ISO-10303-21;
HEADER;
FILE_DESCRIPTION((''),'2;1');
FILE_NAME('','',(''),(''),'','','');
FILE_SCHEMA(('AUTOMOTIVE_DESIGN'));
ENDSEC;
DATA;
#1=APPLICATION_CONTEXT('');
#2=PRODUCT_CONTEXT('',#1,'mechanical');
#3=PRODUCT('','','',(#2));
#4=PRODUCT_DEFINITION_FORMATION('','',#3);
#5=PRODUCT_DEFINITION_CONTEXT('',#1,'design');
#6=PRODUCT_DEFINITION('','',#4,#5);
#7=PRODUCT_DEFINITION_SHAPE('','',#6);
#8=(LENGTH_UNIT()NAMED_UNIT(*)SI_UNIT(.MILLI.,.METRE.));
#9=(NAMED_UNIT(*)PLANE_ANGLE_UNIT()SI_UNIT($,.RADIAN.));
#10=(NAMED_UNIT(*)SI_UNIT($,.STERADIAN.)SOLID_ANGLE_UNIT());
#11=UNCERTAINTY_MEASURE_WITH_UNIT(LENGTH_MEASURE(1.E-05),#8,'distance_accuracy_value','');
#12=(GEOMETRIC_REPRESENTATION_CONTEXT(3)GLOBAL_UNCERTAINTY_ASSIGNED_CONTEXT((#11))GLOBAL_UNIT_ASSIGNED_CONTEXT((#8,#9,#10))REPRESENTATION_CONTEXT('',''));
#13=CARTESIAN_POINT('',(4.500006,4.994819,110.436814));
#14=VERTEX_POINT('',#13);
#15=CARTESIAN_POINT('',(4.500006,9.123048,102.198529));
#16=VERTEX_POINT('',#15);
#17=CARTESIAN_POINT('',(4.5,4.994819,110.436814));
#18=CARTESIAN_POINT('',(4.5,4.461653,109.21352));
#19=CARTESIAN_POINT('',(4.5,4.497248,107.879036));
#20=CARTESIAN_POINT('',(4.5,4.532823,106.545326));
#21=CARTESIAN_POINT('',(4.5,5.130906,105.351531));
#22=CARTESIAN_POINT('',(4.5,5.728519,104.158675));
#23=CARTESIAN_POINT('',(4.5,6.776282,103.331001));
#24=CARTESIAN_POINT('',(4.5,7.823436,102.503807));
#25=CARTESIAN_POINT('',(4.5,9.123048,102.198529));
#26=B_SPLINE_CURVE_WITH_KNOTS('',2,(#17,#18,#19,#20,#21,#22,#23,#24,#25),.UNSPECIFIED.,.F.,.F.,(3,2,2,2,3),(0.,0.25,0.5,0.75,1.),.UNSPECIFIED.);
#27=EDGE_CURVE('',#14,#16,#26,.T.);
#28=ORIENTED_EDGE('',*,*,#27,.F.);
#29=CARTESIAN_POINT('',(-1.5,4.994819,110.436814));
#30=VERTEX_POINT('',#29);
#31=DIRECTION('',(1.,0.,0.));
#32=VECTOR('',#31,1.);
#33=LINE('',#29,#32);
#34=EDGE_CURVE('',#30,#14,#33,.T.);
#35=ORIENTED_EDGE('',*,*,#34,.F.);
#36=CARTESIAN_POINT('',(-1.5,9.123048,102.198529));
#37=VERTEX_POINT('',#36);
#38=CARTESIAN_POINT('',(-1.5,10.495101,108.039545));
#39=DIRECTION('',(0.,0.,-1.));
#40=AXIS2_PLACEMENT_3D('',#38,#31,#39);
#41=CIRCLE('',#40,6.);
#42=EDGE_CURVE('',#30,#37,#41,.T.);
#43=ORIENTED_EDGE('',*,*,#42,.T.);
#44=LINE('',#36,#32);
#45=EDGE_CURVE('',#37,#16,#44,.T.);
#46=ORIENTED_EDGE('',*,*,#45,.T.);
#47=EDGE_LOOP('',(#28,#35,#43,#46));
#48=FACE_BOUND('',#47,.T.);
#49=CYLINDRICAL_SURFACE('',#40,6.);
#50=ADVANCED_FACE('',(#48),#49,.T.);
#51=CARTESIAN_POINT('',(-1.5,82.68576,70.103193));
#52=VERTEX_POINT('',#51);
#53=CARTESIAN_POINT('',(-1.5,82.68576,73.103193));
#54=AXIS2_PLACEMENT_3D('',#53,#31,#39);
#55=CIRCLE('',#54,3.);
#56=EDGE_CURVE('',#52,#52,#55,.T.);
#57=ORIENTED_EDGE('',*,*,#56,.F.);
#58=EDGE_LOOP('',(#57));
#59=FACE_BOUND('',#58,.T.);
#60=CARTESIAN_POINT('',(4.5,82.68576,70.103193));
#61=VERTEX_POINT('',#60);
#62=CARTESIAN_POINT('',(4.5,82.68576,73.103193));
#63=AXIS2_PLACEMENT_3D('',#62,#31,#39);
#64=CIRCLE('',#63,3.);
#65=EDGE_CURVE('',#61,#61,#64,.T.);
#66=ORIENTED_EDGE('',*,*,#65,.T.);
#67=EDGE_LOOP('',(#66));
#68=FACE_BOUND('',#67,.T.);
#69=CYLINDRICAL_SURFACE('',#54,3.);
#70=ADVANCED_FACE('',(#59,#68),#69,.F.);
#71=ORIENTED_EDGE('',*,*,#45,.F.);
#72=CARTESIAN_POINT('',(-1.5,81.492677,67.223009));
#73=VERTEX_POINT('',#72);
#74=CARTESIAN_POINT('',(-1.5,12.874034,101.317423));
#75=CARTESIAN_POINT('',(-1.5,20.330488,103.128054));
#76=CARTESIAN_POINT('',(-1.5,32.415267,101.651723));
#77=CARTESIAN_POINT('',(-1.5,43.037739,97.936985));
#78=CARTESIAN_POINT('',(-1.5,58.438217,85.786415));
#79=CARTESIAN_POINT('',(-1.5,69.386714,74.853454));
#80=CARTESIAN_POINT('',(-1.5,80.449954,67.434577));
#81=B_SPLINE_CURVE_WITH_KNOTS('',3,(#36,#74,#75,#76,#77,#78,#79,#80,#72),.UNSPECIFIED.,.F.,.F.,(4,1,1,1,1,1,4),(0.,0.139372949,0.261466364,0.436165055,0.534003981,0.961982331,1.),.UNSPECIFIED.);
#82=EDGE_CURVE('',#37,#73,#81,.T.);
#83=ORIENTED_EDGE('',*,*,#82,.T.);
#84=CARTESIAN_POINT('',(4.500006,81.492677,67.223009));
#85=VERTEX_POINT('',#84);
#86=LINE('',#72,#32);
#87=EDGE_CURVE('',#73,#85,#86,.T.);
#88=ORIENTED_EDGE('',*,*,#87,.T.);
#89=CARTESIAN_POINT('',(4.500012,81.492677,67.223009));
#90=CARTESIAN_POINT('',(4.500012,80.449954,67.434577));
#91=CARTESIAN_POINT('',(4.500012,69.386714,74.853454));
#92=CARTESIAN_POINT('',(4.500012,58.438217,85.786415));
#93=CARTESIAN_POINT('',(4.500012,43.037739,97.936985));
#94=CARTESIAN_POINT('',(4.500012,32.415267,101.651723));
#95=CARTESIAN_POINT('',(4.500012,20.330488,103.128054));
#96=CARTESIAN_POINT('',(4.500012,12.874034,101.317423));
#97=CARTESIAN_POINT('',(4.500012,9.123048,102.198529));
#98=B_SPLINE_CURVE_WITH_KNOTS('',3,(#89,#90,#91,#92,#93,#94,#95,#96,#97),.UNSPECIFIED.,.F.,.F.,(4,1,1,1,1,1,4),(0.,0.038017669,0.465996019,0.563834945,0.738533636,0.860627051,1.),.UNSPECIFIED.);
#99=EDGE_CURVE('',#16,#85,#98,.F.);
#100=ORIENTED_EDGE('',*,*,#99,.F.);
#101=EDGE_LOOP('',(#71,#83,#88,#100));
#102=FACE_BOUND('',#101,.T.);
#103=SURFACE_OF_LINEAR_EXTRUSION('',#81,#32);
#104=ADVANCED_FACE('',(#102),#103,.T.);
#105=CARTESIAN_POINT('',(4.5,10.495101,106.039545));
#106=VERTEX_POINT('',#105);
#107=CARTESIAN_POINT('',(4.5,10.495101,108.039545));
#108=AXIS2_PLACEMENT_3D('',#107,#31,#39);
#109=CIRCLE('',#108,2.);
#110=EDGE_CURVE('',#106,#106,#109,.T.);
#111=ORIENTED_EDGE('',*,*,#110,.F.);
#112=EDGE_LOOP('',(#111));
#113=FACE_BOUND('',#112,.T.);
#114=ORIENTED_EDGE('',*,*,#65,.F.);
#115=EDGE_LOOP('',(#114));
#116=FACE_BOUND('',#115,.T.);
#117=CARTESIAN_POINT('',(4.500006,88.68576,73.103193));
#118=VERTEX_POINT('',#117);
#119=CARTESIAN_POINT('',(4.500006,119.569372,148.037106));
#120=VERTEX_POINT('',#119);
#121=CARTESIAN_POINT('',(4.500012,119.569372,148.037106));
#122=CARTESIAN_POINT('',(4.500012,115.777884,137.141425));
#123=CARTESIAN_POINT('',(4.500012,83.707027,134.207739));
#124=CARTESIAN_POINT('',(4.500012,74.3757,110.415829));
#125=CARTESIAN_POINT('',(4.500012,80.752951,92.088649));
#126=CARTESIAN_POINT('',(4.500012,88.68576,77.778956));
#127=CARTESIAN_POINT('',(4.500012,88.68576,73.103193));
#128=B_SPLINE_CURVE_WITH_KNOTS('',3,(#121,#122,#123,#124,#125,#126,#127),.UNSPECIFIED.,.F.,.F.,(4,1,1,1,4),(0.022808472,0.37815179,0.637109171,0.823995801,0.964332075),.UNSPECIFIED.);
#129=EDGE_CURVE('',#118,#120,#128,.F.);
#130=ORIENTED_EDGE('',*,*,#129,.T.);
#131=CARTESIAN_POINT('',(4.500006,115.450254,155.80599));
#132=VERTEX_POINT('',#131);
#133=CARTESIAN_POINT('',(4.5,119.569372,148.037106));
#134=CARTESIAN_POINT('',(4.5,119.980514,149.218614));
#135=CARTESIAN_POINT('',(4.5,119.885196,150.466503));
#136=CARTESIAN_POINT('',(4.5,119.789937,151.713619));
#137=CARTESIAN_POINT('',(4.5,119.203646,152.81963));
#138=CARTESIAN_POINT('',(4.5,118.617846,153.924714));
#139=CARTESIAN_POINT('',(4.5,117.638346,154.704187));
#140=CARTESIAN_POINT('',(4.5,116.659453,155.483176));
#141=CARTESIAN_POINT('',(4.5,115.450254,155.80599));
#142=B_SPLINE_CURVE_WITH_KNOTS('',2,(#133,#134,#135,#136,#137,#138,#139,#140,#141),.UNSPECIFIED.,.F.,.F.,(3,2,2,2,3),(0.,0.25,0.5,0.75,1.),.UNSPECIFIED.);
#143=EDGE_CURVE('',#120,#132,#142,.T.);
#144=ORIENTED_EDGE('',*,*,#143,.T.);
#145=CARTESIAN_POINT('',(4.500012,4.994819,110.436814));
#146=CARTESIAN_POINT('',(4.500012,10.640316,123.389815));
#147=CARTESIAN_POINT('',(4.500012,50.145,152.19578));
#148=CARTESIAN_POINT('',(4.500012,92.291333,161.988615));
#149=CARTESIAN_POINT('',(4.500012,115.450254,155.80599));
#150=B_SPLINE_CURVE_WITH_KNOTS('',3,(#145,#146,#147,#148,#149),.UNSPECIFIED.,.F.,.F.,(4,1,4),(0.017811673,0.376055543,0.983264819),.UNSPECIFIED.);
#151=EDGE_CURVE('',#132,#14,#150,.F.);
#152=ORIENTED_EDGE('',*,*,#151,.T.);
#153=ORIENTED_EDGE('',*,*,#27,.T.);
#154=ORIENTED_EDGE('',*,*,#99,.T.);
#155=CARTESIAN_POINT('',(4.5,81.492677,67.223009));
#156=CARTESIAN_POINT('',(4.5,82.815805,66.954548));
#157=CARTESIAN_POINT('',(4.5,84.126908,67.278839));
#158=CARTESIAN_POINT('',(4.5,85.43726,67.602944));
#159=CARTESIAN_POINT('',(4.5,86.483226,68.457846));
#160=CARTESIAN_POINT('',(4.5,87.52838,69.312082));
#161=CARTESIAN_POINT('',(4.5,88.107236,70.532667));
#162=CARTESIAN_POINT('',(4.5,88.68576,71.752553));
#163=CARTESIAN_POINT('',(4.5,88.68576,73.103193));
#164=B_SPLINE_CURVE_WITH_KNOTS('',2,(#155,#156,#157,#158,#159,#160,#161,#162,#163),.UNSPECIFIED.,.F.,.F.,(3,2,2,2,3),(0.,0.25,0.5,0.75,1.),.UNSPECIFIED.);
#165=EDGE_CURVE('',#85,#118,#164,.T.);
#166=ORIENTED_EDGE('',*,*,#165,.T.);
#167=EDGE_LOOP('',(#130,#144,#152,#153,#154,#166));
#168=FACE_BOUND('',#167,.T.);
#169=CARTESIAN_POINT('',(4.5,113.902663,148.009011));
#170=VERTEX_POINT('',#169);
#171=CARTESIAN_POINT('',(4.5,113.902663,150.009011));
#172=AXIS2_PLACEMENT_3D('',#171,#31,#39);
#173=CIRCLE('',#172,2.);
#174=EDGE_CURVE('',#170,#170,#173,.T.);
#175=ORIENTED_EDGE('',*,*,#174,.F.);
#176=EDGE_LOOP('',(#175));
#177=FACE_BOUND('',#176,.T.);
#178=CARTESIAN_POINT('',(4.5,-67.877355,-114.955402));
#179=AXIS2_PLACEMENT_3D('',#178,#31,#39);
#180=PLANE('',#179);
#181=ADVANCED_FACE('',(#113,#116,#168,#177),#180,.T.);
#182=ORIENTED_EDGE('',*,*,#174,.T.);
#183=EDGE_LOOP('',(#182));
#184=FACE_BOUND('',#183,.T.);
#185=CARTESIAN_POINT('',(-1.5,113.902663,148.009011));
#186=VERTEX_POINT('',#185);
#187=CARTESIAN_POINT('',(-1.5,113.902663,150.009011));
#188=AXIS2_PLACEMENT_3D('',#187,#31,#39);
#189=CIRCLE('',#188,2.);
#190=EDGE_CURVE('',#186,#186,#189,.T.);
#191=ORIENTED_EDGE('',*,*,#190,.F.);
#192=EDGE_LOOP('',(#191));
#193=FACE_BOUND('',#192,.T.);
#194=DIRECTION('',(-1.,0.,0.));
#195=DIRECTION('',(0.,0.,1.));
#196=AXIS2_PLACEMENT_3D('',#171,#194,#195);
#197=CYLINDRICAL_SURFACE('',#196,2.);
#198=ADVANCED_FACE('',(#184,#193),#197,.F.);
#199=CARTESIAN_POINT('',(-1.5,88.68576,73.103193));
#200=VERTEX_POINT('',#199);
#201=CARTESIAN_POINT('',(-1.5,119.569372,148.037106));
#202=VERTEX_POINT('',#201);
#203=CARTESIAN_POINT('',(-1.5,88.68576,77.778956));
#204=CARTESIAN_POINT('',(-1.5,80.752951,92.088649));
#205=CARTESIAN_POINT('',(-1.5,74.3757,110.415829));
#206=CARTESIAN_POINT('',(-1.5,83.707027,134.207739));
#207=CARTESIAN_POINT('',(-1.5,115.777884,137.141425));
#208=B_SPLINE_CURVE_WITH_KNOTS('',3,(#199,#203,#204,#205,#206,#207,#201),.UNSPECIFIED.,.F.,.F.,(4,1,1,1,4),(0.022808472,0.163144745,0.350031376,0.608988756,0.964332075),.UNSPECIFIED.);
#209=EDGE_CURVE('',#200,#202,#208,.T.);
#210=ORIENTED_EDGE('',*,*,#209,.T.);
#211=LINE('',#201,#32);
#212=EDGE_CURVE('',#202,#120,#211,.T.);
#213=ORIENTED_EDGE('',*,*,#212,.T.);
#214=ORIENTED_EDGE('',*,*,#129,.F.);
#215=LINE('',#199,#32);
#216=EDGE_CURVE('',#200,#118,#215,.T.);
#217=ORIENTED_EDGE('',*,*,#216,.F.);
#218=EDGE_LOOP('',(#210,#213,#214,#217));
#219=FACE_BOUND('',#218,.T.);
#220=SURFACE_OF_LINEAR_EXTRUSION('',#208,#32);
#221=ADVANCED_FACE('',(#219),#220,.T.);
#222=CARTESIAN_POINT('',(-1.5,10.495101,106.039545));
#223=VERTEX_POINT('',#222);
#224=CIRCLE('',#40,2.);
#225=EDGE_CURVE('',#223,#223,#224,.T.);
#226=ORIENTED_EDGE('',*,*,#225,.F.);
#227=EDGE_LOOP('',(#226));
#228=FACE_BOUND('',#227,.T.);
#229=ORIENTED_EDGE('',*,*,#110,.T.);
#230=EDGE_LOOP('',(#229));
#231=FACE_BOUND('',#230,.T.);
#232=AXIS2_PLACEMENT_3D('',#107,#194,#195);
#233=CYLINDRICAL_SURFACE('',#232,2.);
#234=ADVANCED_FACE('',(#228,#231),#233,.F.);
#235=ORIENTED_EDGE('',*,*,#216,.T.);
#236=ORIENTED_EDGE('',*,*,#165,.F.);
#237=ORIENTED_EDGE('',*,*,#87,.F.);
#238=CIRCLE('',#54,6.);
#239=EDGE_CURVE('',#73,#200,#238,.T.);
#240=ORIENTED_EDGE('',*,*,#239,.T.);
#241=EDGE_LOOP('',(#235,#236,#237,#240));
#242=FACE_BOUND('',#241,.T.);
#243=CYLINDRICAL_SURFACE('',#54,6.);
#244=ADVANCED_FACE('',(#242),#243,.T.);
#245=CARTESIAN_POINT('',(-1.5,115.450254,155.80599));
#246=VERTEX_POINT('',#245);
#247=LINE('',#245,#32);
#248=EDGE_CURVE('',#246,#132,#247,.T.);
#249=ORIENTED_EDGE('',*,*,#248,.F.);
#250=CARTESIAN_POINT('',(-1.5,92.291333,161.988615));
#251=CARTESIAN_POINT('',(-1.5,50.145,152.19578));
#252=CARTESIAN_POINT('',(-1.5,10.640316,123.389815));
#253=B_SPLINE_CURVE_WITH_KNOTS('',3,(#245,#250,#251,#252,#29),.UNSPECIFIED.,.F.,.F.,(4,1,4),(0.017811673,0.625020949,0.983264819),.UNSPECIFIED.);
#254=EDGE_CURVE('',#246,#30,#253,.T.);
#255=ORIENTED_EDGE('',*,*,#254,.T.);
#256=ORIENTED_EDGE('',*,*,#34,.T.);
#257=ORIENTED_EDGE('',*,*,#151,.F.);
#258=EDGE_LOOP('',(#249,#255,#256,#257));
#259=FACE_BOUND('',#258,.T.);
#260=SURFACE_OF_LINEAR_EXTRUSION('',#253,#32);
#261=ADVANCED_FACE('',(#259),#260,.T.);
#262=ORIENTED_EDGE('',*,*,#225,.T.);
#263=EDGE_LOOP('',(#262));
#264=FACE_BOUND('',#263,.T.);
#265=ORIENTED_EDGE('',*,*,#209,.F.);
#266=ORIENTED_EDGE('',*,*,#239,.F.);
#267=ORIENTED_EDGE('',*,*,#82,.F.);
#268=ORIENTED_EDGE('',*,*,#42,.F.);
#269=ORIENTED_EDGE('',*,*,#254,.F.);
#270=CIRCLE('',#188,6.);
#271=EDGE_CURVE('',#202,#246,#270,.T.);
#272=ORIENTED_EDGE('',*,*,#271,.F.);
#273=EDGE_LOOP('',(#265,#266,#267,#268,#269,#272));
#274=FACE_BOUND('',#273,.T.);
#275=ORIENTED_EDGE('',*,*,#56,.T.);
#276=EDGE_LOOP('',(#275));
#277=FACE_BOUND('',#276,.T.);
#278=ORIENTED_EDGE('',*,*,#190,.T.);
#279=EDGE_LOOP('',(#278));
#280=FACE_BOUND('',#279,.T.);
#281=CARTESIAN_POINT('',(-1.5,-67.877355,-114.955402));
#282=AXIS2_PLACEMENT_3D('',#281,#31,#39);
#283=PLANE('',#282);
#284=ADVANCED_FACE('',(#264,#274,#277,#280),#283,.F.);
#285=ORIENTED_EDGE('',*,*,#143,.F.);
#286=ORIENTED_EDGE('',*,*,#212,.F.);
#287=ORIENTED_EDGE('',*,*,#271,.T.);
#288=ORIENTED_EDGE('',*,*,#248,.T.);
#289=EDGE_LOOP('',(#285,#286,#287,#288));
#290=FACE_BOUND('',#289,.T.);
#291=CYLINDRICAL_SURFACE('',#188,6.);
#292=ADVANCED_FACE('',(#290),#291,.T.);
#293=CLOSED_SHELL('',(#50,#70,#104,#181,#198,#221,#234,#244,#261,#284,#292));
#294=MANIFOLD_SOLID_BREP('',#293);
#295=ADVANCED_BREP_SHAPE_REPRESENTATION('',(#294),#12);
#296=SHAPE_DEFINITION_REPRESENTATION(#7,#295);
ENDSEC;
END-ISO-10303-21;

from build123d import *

# Parameters (mm, degrees)
SKETCH3_R               = 1
SKETCH3_R_2             = 1.375
BOSS_EXTRUDE4_DEPTH     = 3
SCALE1_SCALE            = 2
SKETCH4_R               = 3
CUT_EXTRUDE1_DEPTH      = 217.492464221
CUT_EXTRUDE2_DEPTH      = 217.492464221
CUT_EXTRUDE2_DEPTH_BACK = 217.492464221
SKETCH5_OUTSIDE_W       = 182.432
SKETCH5_OUTSIDE_H       = 155.93


with BuildPart() as part:
    # Sketch3 → Boss-Extrude4 (new body)
    with BuildSketch(Plane.YZ):
        with BuildLine():
            ThreePointArc((68.741192765, 86.464667173), (54.029322851, 96.141629316), (37.312023136, 101.674675757))
            ThreePointArc((37.312023136, 101.674675757), (29.391760942, 109.480441545), (33.583388697, 119.780479872))
            ThreePointArc((33.583388697, 119.780479872), (60.17601512, 133.969459732), (89.135388402, 142.32706876))
            ThreePointArc((89.135388402, 142.32706876), (99.144821049, 138.126502646), (99.427319768, 127.275065319))
            ThreePointArc((99.427319768, 127.275065319), (90.789860229, 110.128583952), (85.032843595, 91.812899689))
            ThreePointArc((85.032843595, 91.812899689), (78.400596073, 84.528160677), (68.741192765, 86.464667173))
        make_face()
        with Locations(Location((39.186227842, 111.497473562, 0), (0, 0, 270))):
            Circle(SKETCH3_R, mode=Mode.SUBTRACT)
        with Locations(Location((90.890008855, 132.482206797, 0), (0, 0, 270))):
            Circle(SKETCH3_R, mode=Mode.SUBTRACT)
        with Locations(Location((75.281557454, 94.029297351, 0), (0, 0, 270))):
            Circle(SKETCH3_R_2, mode=Mode.SUBTRACT)
    extrude(amount=BOSS_EXTRUDE4_DEPTH)


with BuildPart() as part_1:
    # Scale1: scaled about (1.5, 67.877354977, 114.955402134)
    add(part.part.scale(SCALE1_SCALE).moved(Location((-1.5, -67.877354977, -114.955402134))))

    # Sketch4 → Cut-Extrude1 (cut, through all)
    with BuildSketch(Plane.YZ.offset(4.5)):
        with Locations(Location((82.685759932, 73.103192567, 0), (0, 0, 270))):
            Circle(SKETCH4_R)
    extrude(amount=-CUT_EXTRUDE1_DEPTH, mode=Mode.SUBTRACT)

    # Sketch5 outside → Cut-Extrude2 (cut, two sides: drawn at the far end of the back side and taken through both)
    with BuildSketch(Plane.YZ.offset(4.5).offset(-CUT_EXTRUDE2_DEPTH_BACK)):
        with Locations((62.199, 111.556)):
            Rectangle(SKETCH5_OUTSIDE_W, SKETCH5_OUTSIDE_H)
        with BuildLine():
            ThreePointArc((119.569371521, 148.037105906), (119.203645824, 152.8196303), (115.450254013, 155.805990089))
            add(Edge.make_bspline(
                [(115.450254013, 155.805990089), (92.291332554, 161.988615073), (50.144999616, 152.195780174), (10.640315527, 123.38981482), (4.994818673, 110.43681376)],
                knots=[0.017811673, 0.017811673, 0.017811673, 0.017811673, 0.625020949, 0.983264819, 0.983264819, 0.983264819, 0.983264819], degree=3))
            ThreePointArc((4.994818673, 110.43681376), (5.130906228, 105.351531301), (9.123047592, 102.19852879))
            add(Edge.make_bspline(
                [(9.123047592, 102.19852879), (12.874033904, 101.317423127), (20.330488059, 103.128054064), (32.415267004, 101.651722539), (43.037738842, 97.936984862), (58.438217116, 85.786415304), (69.386713525, 74.853454362), (80.449954201, 67.434576825), (81.492677056, 67.22300947)],
                knots=[0, 0, 0, 0, 0.139372949, 0.261466364, 0.436165055, 0.534003981, 0.961982331, 1, 1, 1, 1], degree=3))
            ThreePointArc((81.492677056, 67.22300947), (86.483226373, 68.457845581), (88.685759932, 73.103192567))
            add(Edge.make_bspline(
                [(119.569371521, 148.037105906), (115.777884331, 137.141424956), (83.707026682, 134.20773874), (74.375699666, 110.415829432), (80.752950982, 92.088648695), (88.685759932, 77.778956378), (88.685759932, 73.103192567)],
                knots=[0.022808472, 0.022808472, 0.022808472, 0.022808472, 0.37815179, 0.637109171, 0.823995801, 0.964332075, 0.964332075, 0.964332075, 0.964332075], degree=3))
        make_face(mode=Mode.SUBTRACT)
    extrude(amount=CUT_EXTRUDE2_DEPTH + CUT_EXTRUDE2_DEPTH_BACK, mode=Mode.SUBTRACT)


solid = part_1.part
